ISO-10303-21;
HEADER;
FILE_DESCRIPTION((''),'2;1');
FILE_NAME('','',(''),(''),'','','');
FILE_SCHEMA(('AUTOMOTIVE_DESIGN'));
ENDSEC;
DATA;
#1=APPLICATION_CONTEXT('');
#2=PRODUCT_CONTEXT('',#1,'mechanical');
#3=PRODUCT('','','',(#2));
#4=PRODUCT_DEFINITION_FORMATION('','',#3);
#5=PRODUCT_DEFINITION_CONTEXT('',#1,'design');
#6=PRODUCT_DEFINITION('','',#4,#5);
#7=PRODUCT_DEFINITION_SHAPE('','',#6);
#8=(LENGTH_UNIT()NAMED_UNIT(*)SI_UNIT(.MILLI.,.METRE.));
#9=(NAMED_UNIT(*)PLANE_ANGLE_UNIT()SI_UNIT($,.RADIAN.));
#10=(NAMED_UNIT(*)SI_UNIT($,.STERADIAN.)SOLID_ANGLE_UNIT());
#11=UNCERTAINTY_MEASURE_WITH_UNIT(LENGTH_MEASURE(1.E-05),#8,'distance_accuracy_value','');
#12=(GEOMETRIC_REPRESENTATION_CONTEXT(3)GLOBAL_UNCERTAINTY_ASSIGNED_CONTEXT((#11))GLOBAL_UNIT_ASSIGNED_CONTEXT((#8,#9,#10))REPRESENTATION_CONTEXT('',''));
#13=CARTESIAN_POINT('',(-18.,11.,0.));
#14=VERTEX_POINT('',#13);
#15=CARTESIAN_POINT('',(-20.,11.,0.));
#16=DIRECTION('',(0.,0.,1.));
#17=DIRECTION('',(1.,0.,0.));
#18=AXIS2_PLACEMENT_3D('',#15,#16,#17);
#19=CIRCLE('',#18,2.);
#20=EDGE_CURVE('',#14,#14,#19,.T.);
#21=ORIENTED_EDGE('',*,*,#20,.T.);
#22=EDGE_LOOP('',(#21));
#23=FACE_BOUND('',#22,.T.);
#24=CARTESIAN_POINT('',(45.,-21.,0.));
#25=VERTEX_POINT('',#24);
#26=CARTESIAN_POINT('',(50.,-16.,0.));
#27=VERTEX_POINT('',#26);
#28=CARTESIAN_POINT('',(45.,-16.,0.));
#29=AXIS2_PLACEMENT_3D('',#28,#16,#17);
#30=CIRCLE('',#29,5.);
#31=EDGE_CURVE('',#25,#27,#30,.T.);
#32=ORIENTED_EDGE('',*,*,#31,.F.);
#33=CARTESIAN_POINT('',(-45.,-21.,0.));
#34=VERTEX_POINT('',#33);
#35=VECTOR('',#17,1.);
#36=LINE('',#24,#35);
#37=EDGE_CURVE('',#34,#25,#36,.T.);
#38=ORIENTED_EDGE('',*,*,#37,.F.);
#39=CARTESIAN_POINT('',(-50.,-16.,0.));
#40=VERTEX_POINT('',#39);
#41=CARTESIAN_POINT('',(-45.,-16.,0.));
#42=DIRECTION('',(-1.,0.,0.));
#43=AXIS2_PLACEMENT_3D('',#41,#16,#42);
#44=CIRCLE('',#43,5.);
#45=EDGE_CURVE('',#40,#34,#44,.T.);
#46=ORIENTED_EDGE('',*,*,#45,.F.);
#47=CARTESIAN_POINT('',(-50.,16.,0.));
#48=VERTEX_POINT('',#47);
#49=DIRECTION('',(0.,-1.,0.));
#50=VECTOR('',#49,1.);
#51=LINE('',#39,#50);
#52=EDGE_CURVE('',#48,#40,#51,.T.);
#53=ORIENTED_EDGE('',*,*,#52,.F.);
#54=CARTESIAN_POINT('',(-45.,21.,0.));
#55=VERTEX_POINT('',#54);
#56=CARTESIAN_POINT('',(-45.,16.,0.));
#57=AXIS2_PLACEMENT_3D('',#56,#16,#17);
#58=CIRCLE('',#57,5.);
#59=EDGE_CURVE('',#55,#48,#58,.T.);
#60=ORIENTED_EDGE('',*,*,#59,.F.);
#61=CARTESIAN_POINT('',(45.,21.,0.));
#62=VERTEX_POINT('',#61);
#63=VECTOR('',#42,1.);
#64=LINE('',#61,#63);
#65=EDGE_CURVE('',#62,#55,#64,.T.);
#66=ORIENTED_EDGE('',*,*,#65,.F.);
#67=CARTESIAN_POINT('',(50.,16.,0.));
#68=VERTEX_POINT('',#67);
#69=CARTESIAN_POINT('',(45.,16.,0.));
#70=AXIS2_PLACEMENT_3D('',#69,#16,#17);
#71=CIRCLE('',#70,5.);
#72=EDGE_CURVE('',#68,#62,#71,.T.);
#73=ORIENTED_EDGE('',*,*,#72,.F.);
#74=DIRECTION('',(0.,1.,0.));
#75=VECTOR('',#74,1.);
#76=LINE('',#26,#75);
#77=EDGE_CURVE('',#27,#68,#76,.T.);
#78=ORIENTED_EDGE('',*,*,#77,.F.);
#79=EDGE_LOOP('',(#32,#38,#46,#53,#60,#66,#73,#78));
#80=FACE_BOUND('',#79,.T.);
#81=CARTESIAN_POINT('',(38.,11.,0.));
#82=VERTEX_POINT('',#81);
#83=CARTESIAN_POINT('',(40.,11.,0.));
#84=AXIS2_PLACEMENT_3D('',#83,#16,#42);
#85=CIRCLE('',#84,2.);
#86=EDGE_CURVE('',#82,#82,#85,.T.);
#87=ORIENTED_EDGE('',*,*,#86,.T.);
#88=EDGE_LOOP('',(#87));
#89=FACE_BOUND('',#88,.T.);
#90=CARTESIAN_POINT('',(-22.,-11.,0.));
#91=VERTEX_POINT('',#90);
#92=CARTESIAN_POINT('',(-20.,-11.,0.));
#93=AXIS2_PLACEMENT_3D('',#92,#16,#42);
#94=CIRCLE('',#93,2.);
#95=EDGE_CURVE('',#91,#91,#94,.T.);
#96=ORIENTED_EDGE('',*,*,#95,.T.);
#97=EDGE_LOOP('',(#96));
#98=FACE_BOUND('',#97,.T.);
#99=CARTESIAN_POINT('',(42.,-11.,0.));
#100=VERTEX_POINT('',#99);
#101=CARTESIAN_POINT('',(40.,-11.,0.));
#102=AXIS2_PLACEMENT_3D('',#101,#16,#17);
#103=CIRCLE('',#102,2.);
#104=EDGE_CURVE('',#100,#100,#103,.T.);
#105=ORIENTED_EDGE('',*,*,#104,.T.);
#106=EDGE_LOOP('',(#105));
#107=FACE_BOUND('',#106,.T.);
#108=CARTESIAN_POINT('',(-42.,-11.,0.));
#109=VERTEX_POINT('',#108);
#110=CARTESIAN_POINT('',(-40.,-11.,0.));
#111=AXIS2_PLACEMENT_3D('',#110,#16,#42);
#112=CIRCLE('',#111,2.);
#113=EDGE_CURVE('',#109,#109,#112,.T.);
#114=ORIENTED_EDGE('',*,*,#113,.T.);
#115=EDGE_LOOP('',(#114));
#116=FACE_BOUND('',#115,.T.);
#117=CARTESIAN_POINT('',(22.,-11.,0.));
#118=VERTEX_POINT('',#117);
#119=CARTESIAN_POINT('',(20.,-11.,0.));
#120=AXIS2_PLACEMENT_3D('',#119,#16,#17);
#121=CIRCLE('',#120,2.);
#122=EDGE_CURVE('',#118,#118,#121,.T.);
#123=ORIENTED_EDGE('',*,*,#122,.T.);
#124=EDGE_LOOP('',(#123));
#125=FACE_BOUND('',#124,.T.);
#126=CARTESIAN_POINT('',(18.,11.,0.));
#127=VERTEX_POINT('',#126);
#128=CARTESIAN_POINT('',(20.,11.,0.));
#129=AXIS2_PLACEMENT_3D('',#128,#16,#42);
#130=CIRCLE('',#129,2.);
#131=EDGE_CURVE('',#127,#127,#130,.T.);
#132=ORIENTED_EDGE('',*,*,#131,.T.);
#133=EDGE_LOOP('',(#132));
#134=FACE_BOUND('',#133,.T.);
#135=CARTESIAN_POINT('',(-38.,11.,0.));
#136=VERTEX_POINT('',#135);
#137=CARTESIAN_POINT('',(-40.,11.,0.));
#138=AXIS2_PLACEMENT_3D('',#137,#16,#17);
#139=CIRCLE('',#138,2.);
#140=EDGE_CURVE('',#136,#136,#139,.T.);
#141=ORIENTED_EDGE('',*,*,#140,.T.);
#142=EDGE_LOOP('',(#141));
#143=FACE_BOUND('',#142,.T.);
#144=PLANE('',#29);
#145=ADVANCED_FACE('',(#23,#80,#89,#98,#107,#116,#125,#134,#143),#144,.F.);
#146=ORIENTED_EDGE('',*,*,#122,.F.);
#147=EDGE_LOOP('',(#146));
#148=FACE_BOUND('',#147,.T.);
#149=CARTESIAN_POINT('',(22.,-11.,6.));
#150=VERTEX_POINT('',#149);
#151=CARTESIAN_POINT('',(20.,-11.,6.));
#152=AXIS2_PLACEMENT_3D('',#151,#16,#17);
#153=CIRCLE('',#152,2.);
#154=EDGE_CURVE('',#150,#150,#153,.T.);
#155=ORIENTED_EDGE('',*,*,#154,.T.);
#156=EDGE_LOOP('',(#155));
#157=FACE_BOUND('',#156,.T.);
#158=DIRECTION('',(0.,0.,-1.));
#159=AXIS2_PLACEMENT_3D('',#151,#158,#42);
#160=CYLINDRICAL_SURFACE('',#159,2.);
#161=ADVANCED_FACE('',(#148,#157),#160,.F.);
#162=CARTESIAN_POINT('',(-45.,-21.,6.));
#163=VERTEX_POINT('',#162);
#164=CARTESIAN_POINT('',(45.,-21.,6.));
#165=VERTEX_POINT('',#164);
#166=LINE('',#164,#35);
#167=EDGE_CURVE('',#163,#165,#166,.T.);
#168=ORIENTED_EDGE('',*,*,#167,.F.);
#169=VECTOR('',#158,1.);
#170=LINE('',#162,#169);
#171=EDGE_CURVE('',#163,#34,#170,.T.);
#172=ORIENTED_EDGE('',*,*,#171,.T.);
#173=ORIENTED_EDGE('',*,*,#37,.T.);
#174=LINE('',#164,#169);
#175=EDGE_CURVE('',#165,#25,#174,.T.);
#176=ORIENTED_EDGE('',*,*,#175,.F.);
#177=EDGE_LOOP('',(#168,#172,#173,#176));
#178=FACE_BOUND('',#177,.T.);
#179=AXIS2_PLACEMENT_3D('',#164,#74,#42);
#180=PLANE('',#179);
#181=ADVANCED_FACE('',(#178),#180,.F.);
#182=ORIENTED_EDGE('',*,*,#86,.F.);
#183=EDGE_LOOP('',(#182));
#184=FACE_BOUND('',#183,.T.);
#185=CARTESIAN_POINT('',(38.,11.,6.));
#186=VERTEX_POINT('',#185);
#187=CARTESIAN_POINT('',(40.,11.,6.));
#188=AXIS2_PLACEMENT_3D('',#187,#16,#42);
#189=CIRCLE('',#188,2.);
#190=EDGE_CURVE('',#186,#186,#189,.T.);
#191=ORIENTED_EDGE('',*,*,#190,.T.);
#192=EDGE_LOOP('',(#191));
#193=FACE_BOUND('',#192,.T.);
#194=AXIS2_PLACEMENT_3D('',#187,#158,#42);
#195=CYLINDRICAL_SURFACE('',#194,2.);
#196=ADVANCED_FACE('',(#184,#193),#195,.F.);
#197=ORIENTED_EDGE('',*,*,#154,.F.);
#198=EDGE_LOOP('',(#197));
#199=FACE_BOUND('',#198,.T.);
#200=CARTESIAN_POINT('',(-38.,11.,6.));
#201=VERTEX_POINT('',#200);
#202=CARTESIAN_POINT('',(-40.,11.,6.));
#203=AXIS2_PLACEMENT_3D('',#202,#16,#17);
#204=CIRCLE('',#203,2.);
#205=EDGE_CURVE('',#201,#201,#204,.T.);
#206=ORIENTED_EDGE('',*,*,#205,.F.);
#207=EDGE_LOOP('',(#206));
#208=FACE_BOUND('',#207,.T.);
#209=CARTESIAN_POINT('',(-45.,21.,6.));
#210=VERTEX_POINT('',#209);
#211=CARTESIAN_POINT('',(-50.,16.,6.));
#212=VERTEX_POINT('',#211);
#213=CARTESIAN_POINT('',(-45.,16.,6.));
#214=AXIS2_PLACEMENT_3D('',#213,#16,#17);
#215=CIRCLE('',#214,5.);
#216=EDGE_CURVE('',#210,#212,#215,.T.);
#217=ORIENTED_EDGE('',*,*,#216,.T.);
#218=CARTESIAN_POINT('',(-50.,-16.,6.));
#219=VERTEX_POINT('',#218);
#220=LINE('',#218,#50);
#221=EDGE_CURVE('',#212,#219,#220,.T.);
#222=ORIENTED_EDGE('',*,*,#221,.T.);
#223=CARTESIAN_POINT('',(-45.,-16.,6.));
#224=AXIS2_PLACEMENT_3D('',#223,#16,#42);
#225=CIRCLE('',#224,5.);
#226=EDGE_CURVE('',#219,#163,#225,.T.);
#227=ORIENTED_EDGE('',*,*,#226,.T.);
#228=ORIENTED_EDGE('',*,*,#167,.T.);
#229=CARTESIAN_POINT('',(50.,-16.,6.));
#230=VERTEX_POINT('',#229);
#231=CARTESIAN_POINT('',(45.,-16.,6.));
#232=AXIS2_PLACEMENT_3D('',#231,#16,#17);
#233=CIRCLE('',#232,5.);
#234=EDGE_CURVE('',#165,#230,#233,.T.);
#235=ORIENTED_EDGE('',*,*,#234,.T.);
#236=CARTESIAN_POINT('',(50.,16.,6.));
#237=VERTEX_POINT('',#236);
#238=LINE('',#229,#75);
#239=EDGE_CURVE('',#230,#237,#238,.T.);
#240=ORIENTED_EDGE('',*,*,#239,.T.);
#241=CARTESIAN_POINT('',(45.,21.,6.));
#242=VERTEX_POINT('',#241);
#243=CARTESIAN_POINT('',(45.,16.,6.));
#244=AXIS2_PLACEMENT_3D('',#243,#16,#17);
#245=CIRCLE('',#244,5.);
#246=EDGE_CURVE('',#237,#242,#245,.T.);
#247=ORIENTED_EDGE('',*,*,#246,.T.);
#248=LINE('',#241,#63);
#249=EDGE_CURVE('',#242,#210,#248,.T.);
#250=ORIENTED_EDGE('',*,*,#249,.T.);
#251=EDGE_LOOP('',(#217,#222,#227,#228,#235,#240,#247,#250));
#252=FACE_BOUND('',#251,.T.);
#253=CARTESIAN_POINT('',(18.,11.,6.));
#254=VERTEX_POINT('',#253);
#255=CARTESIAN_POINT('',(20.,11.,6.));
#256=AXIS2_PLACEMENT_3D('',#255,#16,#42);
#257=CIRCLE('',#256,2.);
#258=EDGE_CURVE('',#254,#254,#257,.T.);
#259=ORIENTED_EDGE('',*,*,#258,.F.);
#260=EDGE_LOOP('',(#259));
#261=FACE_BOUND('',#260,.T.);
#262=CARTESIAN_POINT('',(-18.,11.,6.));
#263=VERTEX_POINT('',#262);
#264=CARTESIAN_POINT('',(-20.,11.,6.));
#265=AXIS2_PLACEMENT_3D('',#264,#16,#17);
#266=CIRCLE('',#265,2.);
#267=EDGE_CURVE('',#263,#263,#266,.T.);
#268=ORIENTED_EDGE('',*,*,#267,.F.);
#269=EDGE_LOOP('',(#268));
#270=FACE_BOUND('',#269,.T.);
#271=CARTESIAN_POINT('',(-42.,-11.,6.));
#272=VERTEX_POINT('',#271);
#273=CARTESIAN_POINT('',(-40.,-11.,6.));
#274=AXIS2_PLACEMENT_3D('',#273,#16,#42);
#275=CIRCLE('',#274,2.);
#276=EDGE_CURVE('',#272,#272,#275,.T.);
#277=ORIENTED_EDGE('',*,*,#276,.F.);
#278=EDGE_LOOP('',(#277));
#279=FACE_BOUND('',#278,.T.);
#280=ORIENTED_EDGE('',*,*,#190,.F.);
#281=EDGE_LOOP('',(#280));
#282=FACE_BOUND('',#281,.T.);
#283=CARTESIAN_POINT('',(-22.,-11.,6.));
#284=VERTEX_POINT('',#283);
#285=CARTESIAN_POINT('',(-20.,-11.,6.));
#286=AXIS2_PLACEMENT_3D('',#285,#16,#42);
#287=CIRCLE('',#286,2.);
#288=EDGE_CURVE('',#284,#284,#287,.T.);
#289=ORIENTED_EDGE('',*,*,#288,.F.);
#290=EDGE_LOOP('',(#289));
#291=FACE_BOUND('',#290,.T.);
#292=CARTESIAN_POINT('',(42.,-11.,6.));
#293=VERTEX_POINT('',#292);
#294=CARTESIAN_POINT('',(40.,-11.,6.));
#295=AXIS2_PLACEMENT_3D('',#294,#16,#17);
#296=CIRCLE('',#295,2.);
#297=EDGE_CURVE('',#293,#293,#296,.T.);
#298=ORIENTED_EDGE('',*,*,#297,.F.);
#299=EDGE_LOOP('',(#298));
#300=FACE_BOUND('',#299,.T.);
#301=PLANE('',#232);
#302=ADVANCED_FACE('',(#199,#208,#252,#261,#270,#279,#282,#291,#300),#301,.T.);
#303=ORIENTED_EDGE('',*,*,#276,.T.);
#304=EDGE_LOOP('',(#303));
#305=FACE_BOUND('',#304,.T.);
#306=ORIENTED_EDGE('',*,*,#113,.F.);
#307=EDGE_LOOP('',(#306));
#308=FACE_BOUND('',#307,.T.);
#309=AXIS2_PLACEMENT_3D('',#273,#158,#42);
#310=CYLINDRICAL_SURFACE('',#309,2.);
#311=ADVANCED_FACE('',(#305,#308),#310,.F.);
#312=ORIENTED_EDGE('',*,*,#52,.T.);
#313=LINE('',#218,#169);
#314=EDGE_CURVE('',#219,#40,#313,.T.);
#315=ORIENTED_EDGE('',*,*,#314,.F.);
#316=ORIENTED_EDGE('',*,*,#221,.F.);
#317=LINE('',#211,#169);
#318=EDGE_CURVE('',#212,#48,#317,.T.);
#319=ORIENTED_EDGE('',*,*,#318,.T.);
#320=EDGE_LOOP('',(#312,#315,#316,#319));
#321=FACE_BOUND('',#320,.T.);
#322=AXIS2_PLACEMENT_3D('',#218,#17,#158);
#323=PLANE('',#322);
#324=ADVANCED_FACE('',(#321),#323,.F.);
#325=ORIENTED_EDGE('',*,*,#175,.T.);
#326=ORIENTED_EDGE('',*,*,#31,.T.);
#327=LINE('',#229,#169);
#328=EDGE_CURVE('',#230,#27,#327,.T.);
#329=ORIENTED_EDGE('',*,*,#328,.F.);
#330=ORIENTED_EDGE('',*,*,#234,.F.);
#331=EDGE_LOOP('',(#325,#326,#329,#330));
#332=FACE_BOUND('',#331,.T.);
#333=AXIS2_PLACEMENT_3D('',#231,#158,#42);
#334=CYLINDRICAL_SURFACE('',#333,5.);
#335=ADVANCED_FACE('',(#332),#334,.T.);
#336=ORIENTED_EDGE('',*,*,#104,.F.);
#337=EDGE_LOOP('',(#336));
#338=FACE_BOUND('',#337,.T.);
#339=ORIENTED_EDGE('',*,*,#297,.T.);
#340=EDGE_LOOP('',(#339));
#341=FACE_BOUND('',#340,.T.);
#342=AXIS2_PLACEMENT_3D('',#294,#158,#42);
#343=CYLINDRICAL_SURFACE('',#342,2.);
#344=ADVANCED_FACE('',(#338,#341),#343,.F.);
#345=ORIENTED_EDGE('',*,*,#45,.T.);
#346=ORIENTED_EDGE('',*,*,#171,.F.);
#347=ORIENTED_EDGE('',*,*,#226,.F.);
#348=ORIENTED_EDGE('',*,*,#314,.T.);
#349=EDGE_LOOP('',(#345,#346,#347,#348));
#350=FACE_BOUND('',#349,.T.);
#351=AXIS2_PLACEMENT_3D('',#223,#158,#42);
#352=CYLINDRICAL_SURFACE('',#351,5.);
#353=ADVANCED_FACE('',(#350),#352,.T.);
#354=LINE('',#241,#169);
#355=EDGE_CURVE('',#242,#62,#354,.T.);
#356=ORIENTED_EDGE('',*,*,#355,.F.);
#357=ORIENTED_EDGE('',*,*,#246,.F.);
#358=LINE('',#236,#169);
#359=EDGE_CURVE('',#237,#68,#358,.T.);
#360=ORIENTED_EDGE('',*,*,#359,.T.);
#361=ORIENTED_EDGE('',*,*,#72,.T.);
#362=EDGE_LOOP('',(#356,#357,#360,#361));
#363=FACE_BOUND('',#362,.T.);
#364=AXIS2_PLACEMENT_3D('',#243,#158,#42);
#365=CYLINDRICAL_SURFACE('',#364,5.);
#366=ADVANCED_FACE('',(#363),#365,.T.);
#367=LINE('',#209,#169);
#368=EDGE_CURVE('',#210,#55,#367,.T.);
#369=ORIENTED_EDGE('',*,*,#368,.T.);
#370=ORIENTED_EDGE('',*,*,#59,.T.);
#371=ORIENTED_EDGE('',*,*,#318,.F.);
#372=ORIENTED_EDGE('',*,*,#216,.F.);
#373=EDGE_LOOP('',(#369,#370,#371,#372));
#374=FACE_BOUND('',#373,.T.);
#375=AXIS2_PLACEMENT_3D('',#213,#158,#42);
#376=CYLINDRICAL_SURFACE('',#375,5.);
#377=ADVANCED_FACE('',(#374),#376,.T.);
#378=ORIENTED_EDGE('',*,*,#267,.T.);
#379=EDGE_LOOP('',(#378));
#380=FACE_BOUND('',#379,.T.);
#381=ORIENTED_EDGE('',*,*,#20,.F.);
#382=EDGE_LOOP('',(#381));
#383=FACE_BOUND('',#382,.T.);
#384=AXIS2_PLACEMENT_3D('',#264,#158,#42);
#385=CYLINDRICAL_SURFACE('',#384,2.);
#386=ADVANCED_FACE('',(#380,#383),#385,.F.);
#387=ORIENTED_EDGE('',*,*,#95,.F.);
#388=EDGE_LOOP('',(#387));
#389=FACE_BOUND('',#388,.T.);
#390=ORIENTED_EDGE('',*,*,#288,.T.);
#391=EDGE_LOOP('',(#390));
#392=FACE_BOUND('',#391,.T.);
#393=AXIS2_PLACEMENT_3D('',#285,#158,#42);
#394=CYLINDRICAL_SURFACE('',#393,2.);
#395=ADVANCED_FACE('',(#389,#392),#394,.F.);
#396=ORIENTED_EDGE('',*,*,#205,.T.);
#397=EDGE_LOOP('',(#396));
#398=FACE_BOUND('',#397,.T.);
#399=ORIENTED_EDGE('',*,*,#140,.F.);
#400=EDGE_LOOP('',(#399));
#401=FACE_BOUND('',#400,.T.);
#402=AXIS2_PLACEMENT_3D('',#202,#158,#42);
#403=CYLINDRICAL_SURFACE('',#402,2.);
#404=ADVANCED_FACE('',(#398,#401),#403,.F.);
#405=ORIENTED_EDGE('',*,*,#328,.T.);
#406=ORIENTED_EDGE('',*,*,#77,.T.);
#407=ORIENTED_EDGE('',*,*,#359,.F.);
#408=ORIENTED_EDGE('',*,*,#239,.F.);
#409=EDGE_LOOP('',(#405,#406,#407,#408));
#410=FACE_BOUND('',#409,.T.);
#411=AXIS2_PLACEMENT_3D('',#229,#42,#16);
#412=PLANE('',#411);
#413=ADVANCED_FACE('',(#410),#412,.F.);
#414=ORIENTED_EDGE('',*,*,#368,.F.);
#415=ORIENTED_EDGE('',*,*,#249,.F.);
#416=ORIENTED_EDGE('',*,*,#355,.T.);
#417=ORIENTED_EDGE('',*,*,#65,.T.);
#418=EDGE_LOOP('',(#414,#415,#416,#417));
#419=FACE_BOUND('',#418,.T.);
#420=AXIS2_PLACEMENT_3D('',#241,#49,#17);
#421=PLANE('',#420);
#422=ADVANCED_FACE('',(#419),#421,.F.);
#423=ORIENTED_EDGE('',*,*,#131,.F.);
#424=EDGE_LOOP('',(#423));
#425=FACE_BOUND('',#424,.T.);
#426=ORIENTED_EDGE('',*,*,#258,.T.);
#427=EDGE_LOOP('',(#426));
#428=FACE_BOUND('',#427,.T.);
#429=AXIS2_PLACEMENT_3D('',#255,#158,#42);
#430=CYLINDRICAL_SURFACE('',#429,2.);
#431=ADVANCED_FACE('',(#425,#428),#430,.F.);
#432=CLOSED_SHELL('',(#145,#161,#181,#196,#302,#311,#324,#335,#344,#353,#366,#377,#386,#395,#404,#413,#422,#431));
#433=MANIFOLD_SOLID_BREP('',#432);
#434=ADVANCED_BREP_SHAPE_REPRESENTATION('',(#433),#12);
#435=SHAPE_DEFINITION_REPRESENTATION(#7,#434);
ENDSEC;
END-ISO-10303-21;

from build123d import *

# Parameters (mm, degrees)
SKETCH_1_R      = 2
EXTRUDE_1_DEPTH = 6


with BuildPart() as part:
    # Эскиз1 → Бобышка-Вытянуть1 (new body)
    with BuildSketch(Plane.XY):
        with BuildLine():
            Line((45, -21), (-45, -21))
            ThreePointArc((-45, -21), (-48.535533906, -19.535533906), (-50, -16))
            Line((-50, -16), (-50, 16))
            ThreePointArc((-50, 16), (-48.535533906, 19.535533906), (-45, 21))
            Line((-45, 21), (45, 21))
            ThreePointArc((45, 21), (48.535533906, 19.535533906), (50, 16))
            Line((50, 16), (50, -16))
            ThreePointArc((50, -16), (48.535533906, -19.535533906), (45, -21))
        make_face()
        with Locations((-40, 11)):
            Circle(SKETCH_1_R, mode=Mode.SUBTRACT)
        with Locations((-20, 11)):
            Circle(SKETCH_1_R, mode=Mode.SUBTRACT)
        with Locations(Location((-40, -11, 0), (0, 0, 180))):
            Circle(SKETCH_1_R, mode=Mode.SUBTRACT)
        with Locations(Location((-20, -11, 0), (0, 0, 180))):
            Circle(SKETCH_1_R, mode=Mode.SUBTRACT)
        with Locations((20, -11)):
            Circle(SKETCH_1_R, mode=Mode.SUBTRACT)
        with Locations((40, -11)):
            Circle(SKETCH_1_R, mode=Mode.SUBTRACT)
        with Locations(Location((40, 11, 0), (0, 0, 180))):
            Circle(SKETCH_1_R, mode=Mode.SUBTRACT)
        with Locations(Location((20, 11, 0), (0, 0, 180))):
            Circle(SKETCH_1_R, mode=Mode.SUBTRACT)
    extrude(amount=EXTRUDE_1_DEPTH)


solid = part.part
